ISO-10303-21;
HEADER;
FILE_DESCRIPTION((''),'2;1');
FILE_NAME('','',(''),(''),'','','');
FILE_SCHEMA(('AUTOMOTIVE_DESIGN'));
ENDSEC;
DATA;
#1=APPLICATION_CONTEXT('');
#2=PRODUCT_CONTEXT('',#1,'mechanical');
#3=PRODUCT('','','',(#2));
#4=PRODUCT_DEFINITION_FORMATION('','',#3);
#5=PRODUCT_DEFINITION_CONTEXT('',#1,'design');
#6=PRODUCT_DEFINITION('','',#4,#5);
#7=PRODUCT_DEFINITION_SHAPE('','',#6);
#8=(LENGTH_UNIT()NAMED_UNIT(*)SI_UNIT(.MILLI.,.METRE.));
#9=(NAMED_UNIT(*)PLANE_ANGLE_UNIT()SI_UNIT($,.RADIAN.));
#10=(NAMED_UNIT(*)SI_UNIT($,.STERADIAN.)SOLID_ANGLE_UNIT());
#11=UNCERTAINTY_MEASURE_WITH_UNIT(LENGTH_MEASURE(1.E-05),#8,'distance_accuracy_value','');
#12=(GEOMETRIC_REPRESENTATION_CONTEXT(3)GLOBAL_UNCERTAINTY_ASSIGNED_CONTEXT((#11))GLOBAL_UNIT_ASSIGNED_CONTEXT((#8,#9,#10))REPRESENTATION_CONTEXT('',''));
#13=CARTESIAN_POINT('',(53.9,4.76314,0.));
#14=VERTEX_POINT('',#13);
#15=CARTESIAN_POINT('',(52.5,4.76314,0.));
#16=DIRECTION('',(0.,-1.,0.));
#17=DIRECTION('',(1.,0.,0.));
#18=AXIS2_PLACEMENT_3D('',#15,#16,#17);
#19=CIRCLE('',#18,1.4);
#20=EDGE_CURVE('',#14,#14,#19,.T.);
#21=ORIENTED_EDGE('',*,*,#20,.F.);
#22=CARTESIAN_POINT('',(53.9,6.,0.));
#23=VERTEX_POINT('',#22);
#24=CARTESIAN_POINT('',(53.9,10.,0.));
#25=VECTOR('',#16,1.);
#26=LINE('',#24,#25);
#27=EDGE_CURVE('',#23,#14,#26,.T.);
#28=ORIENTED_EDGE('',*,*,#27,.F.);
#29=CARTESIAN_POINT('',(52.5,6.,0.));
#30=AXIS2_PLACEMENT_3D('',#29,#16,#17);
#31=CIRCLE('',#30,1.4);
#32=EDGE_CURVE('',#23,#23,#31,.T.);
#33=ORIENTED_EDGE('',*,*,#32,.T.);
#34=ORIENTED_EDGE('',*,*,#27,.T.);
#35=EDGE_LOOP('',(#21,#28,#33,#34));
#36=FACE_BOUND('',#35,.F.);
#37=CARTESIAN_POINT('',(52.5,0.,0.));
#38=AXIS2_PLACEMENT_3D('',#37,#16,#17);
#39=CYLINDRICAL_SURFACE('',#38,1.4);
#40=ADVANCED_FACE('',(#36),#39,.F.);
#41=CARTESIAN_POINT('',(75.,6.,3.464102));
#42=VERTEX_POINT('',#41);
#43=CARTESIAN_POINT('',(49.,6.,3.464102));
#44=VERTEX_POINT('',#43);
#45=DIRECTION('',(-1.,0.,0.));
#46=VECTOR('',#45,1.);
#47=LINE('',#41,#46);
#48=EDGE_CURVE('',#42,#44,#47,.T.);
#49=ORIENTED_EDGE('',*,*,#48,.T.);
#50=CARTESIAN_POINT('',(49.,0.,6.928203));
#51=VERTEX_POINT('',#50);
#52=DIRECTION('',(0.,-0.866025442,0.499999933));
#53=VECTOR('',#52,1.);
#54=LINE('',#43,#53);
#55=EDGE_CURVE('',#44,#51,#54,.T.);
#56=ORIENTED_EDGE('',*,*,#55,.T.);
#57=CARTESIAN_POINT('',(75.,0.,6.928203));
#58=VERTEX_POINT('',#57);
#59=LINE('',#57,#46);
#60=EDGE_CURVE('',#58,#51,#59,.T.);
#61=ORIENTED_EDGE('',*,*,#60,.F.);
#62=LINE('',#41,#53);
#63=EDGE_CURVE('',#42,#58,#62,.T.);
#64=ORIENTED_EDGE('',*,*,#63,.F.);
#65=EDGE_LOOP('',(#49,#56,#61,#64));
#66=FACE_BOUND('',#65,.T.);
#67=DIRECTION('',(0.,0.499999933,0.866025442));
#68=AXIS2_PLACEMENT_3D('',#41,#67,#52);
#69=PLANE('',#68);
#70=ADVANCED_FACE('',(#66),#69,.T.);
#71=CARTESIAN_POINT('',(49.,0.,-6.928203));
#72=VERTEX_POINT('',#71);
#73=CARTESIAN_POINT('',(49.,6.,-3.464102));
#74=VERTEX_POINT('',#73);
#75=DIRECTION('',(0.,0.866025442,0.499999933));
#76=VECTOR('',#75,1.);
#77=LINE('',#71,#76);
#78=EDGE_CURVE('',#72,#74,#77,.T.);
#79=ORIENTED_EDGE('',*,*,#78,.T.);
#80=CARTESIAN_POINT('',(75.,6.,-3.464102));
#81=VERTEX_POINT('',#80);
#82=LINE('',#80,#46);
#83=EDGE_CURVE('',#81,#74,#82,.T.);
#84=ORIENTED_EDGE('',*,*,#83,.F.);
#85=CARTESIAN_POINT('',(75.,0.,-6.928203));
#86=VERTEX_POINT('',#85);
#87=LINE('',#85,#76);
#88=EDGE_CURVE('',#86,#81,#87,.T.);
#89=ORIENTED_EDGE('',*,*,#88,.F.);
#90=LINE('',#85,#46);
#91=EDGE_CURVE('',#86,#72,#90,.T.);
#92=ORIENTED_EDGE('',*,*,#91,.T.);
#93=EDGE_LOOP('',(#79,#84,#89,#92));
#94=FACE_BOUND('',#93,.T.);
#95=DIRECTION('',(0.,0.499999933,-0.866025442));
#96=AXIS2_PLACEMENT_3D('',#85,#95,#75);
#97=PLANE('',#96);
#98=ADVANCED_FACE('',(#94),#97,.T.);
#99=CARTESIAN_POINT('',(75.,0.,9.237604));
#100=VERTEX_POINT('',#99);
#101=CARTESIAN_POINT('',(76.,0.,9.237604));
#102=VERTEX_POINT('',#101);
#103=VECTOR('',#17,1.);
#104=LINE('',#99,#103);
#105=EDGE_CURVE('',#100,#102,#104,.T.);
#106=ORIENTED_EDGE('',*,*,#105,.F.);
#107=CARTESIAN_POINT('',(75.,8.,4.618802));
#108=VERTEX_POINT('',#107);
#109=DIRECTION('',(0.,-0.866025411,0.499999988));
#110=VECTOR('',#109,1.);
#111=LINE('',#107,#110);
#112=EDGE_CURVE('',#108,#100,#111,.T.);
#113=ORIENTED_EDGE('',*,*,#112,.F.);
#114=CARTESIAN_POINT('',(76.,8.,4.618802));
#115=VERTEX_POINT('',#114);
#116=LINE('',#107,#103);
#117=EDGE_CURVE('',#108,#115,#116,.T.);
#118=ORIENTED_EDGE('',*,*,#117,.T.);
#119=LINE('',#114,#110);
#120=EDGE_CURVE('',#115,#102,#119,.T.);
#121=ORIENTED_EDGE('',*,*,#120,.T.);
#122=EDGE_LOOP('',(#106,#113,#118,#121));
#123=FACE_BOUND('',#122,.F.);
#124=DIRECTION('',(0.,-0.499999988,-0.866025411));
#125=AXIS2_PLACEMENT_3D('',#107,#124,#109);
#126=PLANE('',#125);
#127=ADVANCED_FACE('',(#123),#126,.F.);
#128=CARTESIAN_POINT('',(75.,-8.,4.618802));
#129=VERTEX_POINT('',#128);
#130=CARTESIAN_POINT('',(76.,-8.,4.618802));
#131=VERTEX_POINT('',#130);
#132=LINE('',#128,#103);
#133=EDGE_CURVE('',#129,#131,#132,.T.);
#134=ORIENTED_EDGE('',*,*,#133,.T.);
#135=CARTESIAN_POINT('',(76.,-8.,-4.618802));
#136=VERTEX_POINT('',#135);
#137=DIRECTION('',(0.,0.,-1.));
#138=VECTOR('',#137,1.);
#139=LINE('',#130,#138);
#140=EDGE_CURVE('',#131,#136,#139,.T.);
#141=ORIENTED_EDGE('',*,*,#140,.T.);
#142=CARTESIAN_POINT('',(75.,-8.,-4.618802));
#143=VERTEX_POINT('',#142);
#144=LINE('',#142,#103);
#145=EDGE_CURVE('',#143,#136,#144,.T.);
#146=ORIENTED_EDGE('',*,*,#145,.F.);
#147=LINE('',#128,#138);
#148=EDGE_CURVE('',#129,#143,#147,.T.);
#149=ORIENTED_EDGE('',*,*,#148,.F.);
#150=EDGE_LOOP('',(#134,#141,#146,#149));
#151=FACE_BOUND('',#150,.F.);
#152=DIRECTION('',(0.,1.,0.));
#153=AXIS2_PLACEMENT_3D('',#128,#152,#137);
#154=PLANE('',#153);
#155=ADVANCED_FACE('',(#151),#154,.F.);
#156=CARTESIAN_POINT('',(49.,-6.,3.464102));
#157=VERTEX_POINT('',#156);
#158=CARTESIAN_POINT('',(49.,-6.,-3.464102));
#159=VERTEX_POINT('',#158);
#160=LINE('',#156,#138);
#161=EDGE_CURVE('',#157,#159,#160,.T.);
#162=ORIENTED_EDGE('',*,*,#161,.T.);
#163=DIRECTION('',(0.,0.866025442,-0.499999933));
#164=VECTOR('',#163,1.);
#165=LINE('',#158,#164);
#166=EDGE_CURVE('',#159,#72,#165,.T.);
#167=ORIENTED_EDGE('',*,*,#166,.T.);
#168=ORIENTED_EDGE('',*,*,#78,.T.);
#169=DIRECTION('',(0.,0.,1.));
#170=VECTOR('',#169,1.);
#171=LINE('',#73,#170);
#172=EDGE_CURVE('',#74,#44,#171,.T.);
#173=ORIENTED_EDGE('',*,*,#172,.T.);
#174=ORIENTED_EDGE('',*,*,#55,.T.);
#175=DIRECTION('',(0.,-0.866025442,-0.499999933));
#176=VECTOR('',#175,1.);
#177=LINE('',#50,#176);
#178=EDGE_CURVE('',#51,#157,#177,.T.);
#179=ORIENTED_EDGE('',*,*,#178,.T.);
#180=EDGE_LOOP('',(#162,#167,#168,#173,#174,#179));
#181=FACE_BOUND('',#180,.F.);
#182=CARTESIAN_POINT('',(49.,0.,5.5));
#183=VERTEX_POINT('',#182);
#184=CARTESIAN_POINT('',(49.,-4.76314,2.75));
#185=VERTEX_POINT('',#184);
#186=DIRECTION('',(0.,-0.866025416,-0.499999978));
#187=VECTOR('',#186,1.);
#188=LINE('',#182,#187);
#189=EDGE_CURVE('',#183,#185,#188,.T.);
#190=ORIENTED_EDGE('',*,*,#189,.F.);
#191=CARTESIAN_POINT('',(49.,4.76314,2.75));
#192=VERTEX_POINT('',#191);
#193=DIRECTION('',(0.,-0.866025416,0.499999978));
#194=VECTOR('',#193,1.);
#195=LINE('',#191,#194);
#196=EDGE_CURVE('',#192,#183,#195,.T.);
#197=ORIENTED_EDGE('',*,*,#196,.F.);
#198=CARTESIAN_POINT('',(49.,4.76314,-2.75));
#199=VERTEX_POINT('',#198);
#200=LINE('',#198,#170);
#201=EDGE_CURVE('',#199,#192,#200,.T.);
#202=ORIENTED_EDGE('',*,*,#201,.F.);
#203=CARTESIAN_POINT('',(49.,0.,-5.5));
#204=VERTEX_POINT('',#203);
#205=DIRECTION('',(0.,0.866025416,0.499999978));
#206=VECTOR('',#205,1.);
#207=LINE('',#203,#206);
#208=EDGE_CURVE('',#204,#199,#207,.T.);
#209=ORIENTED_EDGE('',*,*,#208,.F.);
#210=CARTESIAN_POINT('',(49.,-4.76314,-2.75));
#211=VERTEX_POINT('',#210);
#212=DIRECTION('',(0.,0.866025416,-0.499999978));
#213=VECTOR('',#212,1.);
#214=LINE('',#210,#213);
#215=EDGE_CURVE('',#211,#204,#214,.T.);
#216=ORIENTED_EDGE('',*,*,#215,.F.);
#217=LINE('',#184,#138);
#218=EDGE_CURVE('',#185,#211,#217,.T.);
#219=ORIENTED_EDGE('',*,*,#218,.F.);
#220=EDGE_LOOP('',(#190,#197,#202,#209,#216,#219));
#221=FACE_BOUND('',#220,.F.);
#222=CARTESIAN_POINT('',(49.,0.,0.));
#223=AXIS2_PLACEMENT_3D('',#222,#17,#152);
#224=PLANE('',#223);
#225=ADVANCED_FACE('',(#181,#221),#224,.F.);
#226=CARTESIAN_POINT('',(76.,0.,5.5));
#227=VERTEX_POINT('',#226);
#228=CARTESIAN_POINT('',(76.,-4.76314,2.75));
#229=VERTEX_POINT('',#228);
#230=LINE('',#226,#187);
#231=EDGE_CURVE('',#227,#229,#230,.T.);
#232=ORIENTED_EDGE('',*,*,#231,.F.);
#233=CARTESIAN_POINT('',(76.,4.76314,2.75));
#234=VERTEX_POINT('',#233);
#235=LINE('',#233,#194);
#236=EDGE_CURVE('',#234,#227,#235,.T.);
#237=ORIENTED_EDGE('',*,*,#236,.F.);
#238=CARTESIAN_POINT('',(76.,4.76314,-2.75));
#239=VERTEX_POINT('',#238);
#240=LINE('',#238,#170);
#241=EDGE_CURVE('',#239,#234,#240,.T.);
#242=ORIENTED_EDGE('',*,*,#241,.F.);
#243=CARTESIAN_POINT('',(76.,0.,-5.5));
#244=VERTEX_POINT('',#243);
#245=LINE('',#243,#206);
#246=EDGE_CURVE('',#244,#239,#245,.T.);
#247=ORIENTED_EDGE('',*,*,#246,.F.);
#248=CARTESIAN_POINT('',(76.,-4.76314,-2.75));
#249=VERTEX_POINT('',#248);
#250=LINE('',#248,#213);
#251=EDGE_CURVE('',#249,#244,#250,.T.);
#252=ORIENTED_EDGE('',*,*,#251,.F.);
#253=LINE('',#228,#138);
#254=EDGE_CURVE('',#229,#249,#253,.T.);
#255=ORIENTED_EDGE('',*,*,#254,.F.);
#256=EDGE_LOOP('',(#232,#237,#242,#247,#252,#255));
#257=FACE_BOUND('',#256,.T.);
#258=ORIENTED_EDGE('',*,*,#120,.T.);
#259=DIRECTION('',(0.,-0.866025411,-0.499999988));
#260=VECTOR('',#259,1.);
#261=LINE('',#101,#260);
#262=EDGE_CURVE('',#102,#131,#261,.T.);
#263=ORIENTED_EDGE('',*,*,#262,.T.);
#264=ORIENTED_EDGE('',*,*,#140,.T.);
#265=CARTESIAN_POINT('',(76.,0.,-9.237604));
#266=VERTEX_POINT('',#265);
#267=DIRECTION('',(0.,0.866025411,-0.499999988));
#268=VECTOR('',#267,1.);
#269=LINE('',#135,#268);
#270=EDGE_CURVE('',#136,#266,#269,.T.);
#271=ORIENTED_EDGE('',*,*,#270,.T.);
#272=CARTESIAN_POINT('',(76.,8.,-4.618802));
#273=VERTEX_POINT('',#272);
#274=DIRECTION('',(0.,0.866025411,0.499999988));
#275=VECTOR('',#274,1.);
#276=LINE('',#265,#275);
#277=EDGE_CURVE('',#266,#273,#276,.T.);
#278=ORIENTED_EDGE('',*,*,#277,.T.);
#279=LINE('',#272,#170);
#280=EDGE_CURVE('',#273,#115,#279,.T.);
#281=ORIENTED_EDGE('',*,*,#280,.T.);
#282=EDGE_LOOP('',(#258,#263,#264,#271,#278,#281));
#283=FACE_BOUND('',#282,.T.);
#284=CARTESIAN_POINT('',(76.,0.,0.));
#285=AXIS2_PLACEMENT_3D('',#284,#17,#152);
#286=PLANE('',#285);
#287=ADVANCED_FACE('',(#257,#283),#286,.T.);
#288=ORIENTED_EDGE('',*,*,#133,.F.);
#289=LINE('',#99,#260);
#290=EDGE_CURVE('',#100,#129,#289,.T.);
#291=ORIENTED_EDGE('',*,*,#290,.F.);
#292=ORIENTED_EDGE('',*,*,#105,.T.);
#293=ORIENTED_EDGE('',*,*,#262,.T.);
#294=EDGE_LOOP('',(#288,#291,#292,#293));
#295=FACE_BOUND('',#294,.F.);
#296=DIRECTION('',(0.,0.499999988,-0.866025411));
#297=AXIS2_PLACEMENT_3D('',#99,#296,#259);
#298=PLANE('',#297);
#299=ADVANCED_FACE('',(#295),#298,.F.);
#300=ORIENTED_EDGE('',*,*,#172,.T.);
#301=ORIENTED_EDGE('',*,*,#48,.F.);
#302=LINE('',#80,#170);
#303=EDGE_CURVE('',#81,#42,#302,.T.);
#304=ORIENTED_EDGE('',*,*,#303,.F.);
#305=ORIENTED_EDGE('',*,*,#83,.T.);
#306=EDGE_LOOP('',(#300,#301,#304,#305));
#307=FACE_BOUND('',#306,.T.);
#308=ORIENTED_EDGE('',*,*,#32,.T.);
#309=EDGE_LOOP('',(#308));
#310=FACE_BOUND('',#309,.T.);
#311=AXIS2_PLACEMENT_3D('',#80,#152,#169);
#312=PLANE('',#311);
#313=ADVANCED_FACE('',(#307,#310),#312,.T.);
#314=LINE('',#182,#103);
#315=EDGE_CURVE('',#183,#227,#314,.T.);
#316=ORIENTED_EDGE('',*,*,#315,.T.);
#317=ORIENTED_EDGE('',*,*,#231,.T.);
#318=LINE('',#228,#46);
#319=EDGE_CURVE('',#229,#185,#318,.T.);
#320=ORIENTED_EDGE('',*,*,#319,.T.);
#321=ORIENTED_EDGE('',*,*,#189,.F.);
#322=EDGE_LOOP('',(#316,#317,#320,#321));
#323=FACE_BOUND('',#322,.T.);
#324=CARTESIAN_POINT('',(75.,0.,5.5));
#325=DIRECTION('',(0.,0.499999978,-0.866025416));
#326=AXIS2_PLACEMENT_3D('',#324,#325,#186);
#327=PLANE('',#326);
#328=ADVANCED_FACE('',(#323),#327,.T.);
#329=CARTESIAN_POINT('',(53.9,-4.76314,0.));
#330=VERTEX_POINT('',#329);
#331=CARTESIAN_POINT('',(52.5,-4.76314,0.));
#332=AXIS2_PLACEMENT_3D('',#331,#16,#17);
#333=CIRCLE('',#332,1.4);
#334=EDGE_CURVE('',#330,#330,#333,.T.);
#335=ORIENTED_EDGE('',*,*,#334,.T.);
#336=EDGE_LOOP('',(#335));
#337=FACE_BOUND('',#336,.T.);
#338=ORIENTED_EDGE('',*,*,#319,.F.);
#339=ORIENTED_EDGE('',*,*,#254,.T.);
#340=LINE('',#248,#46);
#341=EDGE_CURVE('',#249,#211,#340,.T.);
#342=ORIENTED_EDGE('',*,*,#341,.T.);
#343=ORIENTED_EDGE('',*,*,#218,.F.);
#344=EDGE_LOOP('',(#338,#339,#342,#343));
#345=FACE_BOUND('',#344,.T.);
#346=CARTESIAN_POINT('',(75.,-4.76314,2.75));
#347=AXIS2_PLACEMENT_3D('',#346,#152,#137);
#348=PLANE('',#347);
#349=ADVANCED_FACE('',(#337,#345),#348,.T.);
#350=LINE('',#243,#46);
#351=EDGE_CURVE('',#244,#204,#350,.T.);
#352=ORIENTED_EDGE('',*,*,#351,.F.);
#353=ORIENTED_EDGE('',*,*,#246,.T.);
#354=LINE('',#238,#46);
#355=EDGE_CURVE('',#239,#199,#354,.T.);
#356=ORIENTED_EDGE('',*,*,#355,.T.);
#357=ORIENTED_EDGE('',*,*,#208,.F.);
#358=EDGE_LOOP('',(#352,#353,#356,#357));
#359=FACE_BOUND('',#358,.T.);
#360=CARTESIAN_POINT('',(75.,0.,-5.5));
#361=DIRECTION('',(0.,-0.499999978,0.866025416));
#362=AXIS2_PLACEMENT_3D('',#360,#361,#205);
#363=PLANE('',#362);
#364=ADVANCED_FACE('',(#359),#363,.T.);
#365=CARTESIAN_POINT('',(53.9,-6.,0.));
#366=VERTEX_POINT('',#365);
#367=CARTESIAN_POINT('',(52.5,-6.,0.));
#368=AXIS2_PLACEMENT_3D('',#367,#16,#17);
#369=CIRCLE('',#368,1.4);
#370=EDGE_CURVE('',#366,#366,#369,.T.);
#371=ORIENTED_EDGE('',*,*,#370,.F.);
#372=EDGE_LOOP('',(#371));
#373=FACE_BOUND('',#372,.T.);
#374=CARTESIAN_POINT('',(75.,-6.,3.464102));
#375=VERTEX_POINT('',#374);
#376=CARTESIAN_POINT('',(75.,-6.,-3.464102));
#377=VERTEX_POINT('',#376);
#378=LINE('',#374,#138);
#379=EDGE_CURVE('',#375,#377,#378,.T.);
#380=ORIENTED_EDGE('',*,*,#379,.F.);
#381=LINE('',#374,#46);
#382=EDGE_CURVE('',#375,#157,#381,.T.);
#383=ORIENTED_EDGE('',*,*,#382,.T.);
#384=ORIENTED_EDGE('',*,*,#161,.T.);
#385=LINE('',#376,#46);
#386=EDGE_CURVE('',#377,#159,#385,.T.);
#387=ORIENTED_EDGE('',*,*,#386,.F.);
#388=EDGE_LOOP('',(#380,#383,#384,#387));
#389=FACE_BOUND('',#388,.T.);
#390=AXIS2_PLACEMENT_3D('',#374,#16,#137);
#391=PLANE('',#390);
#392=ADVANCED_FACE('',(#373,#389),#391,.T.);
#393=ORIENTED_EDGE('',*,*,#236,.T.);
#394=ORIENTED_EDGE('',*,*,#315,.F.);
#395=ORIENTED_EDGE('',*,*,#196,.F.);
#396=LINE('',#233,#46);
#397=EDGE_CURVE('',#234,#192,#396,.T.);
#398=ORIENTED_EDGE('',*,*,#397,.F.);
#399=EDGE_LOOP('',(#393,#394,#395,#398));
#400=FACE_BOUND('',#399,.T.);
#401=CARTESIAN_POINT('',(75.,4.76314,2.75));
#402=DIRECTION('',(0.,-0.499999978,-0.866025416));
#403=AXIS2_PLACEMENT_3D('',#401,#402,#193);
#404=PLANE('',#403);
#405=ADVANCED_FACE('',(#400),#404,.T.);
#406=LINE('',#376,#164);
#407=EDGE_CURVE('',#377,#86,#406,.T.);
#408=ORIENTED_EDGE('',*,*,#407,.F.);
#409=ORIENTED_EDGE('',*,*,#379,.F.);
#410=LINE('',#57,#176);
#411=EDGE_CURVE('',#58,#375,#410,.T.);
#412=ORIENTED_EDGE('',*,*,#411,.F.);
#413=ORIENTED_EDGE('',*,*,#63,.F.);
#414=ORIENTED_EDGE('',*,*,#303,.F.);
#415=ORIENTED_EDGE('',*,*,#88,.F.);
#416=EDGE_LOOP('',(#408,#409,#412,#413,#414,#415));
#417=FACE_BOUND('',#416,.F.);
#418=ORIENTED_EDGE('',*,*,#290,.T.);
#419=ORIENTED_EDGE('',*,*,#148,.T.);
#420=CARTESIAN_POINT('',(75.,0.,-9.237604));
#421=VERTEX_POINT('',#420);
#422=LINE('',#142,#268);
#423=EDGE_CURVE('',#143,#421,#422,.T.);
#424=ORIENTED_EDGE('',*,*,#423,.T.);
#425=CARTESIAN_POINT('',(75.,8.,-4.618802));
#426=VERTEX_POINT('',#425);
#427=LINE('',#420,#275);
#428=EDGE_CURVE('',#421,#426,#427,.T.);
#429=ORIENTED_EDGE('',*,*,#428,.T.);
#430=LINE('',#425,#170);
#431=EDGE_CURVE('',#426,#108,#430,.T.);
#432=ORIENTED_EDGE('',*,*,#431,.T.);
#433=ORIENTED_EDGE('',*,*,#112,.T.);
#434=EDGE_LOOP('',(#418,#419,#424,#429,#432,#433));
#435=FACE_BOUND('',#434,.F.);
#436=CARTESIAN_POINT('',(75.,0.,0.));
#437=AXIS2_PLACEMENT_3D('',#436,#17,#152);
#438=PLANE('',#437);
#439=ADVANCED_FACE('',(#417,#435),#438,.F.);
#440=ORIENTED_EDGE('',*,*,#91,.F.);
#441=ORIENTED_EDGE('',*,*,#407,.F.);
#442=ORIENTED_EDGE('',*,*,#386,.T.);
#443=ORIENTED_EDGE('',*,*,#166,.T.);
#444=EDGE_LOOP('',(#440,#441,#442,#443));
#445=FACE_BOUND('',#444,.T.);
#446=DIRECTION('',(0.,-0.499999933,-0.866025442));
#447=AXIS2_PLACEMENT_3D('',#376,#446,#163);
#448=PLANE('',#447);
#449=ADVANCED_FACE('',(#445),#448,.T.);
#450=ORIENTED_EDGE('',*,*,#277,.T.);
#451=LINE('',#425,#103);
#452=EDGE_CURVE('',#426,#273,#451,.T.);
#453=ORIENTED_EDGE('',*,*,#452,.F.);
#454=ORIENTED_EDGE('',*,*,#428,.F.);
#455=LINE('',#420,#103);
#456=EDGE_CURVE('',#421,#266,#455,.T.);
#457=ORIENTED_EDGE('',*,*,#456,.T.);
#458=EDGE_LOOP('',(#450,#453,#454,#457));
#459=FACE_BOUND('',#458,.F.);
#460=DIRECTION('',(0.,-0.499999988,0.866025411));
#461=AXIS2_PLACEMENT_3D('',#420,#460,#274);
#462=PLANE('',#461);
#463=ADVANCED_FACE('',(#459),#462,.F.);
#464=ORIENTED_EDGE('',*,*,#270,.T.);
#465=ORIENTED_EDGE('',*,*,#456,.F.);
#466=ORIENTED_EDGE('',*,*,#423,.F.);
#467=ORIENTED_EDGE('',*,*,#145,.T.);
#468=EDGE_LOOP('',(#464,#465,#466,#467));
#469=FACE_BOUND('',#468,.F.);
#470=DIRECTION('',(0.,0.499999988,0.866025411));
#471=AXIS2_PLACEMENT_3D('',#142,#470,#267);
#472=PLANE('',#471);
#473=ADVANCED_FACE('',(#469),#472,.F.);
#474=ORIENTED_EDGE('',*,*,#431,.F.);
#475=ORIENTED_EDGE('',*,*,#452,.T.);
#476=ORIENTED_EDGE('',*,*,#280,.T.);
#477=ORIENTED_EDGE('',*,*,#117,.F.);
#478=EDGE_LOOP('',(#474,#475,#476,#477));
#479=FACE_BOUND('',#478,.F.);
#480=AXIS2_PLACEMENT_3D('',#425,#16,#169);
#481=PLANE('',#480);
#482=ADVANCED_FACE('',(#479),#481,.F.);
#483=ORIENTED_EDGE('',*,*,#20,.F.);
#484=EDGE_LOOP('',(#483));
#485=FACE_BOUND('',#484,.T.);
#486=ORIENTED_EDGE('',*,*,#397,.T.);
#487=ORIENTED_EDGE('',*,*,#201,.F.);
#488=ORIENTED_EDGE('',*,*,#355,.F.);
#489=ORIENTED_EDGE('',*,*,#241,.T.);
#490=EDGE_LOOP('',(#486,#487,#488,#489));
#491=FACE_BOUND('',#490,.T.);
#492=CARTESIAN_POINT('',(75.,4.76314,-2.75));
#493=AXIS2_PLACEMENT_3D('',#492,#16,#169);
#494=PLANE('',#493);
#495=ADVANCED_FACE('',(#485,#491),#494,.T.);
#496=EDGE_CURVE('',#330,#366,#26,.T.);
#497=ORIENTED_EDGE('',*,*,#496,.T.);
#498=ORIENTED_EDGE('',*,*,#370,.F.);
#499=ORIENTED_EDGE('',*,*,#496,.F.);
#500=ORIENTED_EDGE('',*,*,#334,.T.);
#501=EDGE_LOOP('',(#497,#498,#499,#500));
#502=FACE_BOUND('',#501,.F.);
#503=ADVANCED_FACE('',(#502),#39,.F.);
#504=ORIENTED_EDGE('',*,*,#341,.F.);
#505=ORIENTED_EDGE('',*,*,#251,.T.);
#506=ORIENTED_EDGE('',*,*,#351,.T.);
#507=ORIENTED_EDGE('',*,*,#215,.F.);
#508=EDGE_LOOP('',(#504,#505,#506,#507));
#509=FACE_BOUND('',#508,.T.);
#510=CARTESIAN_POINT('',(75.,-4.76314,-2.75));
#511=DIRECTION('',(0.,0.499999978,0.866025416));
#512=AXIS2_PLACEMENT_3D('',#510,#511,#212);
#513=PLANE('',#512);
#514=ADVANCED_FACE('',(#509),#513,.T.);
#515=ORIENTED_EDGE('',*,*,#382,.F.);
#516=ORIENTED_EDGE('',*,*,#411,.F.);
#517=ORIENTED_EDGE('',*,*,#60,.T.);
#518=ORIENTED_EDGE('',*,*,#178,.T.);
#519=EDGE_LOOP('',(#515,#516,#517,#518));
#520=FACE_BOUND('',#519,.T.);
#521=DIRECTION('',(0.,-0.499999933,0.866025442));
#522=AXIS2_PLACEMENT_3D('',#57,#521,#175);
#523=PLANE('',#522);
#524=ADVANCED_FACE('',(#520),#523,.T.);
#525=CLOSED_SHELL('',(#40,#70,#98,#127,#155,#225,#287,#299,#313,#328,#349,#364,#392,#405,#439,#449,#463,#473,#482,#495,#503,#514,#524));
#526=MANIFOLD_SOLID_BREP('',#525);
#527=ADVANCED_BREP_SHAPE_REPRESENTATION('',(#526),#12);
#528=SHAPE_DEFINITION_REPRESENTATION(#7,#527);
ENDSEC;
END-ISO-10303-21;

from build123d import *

# Parameters (mm, degrees)
SKETCH202_R     = 1.4
PAD127038_DEPTH = 10
PAD127037_DEPTH = 1
PAD127010_DEPTH = 26


with BuildPart() as setscrewcutout:
    # Sketch202 → Pad127038 (new body, symmetric)
    with BuildSketch(Plane(origin=(75, 0, 0), x_dir=(1, 0, 0), z_dir=(0, -1, 0))):
        with Locations((-22.5, 0)):
            Circle(SKETCH202_R)
    extrude(amount=PAD127038_DEPTH, both=True)


with BuildPart() as endcap:
    # Sketch201 → Pad127037 (new body)
    with BuildSketch(Plane.YZ.offset(75)):
        Polygon((8, 4.618802), (0, 9.237604), (-8, 4.618802), (-8, -4.618802), (0, -9.237604), (8, -4.618802), align=None)
        Polygon((0, 5.5), (-4.76314, 2.75), (-4.76314, -2.75), (0, -5.5), (4.76314, -2.75), (4.76314, 2.75), align=None, mode=Mode.SUBTRACT)
    extrude(amount=PAD127037_DEPTH)


with BuildPart() as wheelaxle:
    # Sketch172 → Pad127010 (new body)
    with BuildSketch(Plane.YZ.offset(75)):
        Polygon((6, 3.464102), (0, 6.928203), (-6, 3.464102), (-6, -3.464102), (0, -6.928203), (6, -3.464102), align=None)
        Polygon((0, 5.5), (-4.76314, 2.75), (-4.76314, -2.75), (0, -5.5), (4.76314, -2.75), (4.76314, 2.75), align=None, mode=Mode.SUBTRACT)
    extrude(amount=-PAD127010_DEPTH)

    # Fusion004020027: union EndCap
    add(endcap.part)

    # Cut007019023: cut SetScrewCutout
    add(setscrewcutout.part, mode=Mode.SUBTRACT)


solid = wheelaxle.part
